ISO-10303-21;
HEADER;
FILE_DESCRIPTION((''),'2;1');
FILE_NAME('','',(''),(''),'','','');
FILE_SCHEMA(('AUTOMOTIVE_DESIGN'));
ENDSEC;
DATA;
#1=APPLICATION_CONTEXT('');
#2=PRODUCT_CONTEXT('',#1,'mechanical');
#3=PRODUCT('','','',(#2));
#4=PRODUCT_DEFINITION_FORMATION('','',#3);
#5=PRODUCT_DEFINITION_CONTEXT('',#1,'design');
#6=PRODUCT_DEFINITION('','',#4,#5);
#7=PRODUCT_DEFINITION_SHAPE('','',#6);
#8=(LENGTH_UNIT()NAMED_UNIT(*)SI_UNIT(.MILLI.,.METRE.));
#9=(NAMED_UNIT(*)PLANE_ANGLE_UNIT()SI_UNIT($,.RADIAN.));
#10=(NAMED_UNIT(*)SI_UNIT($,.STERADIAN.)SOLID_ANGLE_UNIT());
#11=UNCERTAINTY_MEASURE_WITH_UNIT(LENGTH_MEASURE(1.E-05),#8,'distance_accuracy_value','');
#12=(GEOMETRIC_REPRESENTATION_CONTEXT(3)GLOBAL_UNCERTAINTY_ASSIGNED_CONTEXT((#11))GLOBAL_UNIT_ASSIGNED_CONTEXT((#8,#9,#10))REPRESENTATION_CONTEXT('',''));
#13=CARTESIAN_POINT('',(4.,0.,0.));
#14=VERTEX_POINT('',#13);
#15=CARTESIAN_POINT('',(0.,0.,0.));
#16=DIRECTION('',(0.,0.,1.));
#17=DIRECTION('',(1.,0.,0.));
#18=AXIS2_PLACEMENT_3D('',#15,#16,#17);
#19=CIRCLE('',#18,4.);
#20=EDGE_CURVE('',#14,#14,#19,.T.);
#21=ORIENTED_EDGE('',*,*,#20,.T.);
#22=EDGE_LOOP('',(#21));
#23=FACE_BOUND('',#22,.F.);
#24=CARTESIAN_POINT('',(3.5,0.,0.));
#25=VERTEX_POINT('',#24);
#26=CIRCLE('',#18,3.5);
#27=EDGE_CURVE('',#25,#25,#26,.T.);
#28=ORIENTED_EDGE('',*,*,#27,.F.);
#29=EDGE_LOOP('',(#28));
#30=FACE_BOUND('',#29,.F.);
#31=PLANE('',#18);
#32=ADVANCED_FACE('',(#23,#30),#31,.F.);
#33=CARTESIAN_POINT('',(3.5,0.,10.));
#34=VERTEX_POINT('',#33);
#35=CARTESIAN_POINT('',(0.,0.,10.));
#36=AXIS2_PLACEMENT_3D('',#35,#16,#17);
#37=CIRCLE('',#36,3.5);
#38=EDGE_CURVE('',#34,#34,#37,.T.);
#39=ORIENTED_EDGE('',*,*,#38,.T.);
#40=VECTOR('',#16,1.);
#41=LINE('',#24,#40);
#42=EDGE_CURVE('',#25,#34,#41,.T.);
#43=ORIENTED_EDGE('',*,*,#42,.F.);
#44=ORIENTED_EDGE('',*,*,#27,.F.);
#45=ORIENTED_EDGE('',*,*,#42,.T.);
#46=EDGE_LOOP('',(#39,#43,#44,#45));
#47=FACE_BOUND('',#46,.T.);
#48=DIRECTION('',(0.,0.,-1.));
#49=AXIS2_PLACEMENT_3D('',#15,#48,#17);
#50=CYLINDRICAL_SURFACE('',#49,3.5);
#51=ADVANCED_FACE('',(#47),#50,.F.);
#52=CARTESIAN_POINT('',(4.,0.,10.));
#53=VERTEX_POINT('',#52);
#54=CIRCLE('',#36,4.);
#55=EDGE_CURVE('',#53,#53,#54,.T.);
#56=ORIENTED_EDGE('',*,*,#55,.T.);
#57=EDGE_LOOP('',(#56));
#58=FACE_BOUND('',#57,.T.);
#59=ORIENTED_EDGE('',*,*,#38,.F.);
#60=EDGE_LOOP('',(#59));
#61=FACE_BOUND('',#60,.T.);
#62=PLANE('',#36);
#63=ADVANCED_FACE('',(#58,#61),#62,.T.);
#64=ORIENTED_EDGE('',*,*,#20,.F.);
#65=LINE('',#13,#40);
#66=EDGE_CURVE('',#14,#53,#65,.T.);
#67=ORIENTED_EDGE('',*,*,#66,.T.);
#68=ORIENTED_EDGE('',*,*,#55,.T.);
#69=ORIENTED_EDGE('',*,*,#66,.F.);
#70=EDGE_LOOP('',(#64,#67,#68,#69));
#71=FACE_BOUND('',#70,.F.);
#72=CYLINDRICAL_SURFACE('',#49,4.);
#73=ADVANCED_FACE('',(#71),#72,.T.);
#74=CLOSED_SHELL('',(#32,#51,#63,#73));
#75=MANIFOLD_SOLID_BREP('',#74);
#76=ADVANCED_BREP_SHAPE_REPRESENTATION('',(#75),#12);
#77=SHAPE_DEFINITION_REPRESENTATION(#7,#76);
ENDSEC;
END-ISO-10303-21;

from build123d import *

# Parameters (mm, degrees)
ESQUISSE1_R          = 4
ESQUISSE1_R_2        = 3.5
BASE_EXTRUSION_DEPTH = 10


with BuildPart() as part:
    # Esquisse1 → Base-Extrusion (new body)
    with BuildSketch(Plane.XY):
        Circle(ESQUISSE1_R)
        Circle(ESQUISSE1_R_2, mode=Mode.SUBTRACT)
    extrude(amount=BASE_EXTRUSION_DEPTH)


solid = part.part
